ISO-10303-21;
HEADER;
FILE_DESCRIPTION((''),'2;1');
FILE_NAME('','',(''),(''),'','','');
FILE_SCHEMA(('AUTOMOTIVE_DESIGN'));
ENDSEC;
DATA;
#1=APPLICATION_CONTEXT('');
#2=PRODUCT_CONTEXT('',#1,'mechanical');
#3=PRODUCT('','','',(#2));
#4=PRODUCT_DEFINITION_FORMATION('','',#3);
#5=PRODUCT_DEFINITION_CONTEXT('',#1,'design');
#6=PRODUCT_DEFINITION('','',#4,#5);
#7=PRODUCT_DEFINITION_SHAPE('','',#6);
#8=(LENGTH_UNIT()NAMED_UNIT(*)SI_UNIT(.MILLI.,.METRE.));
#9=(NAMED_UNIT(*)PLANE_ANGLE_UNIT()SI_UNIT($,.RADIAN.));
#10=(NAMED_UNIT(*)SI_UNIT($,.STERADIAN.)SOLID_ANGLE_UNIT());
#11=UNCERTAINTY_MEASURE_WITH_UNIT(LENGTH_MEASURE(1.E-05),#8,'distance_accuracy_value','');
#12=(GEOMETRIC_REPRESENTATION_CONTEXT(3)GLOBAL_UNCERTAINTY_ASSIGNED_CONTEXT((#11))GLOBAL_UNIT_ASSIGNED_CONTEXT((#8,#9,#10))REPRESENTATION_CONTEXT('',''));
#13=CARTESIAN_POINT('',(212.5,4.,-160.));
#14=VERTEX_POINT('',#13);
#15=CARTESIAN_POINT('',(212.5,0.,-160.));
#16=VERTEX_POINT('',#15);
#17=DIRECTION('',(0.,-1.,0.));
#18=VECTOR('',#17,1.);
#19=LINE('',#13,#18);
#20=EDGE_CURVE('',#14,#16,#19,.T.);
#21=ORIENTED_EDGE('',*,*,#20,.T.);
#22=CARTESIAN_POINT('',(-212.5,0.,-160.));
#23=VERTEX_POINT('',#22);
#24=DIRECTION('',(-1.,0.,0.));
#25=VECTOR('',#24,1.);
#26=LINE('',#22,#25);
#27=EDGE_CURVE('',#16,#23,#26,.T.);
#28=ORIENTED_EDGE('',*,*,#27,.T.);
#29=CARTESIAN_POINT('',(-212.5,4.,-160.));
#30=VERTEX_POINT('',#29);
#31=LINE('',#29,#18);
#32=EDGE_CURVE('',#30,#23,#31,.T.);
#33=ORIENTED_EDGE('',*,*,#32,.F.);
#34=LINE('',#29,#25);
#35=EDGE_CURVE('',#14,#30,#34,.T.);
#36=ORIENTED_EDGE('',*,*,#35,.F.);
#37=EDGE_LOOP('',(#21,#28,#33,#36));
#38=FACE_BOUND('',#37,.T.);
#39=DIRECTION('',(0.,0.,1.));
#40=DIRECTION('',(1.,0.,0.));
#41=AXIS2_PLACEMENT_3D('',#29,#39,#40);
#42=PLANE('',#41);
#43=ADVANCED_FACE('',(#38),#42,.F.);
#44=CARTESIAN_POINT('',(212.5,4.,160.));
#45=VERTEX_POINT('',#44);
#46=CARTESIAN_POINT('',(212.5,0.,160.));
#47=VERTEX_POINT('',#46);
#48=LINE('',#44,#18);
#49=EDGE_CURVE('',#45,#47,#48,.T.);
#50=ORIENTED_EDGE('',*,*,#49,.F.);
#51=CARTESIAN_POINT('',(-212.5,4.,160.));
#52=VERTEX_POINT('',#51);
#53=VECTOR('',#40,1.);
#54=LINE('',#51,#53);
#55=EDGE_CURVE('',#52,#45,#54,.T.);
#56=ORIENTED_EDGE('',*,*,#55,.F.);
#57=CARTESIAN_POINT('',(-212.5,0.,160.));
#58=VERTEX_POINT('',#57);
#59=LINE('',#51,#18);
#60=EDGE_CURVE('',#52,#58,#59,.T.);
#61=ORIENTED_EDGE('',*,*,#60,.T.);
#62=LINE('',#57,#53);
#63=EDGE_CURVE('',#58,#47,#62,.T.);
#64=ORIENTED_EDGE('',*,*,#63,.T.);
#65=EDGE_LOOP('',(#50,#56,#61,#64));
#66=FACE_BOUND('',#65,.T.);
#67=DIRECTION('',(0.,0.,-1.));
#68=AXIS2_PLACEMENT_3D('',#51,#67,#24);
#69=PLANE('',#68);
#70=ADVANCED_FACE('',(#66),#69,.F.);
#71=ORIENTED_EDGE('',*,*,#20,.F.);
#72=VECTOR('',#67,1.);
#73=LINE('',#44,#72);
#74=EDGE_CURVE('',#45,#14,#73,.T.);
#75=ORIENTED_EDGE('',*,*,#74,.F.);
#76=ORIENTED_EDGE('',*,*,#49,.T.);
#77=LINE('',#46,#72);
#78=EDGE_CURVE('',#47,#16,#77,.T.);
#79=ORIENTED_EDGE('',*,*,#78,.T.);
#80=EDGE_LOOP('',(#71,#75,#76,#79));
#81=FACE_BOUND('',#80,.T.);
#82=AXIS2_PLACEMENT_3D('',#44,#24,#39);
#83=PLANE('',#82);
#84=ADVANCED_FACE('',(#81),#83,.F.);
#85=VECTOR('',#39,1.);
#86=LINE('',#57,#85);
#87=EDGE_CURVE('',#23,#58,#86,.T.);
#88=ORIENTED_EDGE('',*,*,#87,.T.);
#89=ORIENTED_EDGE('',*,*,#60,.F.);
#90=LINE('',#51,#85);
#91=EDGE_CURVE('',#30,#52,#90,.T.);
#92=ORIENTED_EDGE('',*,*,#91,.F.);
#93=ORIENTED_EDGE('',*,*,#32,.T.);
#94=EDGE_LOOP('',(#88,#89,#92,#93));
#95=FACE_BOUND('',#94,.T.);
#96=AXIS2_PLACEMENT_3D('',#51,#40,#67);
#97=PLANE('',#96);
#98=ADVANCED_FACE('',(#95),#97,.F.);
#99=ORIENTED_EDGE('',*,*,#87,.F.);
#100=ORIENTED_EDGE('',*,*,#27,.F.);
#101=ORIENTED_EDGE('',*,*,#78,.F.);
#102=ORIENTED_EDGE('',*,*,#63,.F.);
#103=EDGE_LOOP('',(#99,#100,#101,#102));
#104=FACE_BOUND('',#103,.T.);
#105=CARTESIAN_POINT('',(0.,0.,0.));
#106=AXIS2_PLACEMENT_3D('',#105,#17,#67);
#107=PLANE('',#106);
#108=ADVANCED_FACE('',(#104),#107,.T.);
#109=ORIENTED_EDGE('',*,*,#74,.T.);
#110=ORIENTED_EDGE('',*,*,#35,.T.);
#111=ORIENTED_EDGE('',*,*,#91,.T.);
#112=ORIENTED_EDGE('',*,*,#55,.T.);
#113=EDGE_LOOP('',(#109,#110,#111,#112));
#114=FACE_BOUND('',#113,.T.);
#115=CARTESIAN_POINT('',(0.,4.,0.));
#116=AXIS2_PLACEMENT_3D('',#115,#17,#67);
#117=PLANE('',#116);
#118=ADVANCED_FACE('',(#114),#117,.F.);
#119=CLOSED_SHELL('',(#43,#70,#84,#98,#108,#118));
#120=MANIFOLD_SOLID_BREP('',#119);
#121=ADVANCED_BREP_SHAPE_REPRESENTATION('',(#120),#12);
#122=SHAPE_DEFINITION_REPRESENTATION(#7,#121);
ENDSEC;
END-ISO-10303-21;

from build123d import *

# Parameters (mm, degrees)
SKETCH_1_W      = 425
SKETCH_1_H      = 320
EXTRUDE_1_DEPTH = 4


with BuildPart() as part:
    # Эскиз1 → Бобышка-Вытянуть1 (new body)
    with BuildSketch(Plane(origin=(0, 0, 0), x_dir=(1, 0, 0), z_dir=(0, 1, 0))):
        Rectangle(SKETCH_1_W, SKETCH_1_H)
    extrude(amount=EXTRUDE_1_DEPTH)


solid = part.part
